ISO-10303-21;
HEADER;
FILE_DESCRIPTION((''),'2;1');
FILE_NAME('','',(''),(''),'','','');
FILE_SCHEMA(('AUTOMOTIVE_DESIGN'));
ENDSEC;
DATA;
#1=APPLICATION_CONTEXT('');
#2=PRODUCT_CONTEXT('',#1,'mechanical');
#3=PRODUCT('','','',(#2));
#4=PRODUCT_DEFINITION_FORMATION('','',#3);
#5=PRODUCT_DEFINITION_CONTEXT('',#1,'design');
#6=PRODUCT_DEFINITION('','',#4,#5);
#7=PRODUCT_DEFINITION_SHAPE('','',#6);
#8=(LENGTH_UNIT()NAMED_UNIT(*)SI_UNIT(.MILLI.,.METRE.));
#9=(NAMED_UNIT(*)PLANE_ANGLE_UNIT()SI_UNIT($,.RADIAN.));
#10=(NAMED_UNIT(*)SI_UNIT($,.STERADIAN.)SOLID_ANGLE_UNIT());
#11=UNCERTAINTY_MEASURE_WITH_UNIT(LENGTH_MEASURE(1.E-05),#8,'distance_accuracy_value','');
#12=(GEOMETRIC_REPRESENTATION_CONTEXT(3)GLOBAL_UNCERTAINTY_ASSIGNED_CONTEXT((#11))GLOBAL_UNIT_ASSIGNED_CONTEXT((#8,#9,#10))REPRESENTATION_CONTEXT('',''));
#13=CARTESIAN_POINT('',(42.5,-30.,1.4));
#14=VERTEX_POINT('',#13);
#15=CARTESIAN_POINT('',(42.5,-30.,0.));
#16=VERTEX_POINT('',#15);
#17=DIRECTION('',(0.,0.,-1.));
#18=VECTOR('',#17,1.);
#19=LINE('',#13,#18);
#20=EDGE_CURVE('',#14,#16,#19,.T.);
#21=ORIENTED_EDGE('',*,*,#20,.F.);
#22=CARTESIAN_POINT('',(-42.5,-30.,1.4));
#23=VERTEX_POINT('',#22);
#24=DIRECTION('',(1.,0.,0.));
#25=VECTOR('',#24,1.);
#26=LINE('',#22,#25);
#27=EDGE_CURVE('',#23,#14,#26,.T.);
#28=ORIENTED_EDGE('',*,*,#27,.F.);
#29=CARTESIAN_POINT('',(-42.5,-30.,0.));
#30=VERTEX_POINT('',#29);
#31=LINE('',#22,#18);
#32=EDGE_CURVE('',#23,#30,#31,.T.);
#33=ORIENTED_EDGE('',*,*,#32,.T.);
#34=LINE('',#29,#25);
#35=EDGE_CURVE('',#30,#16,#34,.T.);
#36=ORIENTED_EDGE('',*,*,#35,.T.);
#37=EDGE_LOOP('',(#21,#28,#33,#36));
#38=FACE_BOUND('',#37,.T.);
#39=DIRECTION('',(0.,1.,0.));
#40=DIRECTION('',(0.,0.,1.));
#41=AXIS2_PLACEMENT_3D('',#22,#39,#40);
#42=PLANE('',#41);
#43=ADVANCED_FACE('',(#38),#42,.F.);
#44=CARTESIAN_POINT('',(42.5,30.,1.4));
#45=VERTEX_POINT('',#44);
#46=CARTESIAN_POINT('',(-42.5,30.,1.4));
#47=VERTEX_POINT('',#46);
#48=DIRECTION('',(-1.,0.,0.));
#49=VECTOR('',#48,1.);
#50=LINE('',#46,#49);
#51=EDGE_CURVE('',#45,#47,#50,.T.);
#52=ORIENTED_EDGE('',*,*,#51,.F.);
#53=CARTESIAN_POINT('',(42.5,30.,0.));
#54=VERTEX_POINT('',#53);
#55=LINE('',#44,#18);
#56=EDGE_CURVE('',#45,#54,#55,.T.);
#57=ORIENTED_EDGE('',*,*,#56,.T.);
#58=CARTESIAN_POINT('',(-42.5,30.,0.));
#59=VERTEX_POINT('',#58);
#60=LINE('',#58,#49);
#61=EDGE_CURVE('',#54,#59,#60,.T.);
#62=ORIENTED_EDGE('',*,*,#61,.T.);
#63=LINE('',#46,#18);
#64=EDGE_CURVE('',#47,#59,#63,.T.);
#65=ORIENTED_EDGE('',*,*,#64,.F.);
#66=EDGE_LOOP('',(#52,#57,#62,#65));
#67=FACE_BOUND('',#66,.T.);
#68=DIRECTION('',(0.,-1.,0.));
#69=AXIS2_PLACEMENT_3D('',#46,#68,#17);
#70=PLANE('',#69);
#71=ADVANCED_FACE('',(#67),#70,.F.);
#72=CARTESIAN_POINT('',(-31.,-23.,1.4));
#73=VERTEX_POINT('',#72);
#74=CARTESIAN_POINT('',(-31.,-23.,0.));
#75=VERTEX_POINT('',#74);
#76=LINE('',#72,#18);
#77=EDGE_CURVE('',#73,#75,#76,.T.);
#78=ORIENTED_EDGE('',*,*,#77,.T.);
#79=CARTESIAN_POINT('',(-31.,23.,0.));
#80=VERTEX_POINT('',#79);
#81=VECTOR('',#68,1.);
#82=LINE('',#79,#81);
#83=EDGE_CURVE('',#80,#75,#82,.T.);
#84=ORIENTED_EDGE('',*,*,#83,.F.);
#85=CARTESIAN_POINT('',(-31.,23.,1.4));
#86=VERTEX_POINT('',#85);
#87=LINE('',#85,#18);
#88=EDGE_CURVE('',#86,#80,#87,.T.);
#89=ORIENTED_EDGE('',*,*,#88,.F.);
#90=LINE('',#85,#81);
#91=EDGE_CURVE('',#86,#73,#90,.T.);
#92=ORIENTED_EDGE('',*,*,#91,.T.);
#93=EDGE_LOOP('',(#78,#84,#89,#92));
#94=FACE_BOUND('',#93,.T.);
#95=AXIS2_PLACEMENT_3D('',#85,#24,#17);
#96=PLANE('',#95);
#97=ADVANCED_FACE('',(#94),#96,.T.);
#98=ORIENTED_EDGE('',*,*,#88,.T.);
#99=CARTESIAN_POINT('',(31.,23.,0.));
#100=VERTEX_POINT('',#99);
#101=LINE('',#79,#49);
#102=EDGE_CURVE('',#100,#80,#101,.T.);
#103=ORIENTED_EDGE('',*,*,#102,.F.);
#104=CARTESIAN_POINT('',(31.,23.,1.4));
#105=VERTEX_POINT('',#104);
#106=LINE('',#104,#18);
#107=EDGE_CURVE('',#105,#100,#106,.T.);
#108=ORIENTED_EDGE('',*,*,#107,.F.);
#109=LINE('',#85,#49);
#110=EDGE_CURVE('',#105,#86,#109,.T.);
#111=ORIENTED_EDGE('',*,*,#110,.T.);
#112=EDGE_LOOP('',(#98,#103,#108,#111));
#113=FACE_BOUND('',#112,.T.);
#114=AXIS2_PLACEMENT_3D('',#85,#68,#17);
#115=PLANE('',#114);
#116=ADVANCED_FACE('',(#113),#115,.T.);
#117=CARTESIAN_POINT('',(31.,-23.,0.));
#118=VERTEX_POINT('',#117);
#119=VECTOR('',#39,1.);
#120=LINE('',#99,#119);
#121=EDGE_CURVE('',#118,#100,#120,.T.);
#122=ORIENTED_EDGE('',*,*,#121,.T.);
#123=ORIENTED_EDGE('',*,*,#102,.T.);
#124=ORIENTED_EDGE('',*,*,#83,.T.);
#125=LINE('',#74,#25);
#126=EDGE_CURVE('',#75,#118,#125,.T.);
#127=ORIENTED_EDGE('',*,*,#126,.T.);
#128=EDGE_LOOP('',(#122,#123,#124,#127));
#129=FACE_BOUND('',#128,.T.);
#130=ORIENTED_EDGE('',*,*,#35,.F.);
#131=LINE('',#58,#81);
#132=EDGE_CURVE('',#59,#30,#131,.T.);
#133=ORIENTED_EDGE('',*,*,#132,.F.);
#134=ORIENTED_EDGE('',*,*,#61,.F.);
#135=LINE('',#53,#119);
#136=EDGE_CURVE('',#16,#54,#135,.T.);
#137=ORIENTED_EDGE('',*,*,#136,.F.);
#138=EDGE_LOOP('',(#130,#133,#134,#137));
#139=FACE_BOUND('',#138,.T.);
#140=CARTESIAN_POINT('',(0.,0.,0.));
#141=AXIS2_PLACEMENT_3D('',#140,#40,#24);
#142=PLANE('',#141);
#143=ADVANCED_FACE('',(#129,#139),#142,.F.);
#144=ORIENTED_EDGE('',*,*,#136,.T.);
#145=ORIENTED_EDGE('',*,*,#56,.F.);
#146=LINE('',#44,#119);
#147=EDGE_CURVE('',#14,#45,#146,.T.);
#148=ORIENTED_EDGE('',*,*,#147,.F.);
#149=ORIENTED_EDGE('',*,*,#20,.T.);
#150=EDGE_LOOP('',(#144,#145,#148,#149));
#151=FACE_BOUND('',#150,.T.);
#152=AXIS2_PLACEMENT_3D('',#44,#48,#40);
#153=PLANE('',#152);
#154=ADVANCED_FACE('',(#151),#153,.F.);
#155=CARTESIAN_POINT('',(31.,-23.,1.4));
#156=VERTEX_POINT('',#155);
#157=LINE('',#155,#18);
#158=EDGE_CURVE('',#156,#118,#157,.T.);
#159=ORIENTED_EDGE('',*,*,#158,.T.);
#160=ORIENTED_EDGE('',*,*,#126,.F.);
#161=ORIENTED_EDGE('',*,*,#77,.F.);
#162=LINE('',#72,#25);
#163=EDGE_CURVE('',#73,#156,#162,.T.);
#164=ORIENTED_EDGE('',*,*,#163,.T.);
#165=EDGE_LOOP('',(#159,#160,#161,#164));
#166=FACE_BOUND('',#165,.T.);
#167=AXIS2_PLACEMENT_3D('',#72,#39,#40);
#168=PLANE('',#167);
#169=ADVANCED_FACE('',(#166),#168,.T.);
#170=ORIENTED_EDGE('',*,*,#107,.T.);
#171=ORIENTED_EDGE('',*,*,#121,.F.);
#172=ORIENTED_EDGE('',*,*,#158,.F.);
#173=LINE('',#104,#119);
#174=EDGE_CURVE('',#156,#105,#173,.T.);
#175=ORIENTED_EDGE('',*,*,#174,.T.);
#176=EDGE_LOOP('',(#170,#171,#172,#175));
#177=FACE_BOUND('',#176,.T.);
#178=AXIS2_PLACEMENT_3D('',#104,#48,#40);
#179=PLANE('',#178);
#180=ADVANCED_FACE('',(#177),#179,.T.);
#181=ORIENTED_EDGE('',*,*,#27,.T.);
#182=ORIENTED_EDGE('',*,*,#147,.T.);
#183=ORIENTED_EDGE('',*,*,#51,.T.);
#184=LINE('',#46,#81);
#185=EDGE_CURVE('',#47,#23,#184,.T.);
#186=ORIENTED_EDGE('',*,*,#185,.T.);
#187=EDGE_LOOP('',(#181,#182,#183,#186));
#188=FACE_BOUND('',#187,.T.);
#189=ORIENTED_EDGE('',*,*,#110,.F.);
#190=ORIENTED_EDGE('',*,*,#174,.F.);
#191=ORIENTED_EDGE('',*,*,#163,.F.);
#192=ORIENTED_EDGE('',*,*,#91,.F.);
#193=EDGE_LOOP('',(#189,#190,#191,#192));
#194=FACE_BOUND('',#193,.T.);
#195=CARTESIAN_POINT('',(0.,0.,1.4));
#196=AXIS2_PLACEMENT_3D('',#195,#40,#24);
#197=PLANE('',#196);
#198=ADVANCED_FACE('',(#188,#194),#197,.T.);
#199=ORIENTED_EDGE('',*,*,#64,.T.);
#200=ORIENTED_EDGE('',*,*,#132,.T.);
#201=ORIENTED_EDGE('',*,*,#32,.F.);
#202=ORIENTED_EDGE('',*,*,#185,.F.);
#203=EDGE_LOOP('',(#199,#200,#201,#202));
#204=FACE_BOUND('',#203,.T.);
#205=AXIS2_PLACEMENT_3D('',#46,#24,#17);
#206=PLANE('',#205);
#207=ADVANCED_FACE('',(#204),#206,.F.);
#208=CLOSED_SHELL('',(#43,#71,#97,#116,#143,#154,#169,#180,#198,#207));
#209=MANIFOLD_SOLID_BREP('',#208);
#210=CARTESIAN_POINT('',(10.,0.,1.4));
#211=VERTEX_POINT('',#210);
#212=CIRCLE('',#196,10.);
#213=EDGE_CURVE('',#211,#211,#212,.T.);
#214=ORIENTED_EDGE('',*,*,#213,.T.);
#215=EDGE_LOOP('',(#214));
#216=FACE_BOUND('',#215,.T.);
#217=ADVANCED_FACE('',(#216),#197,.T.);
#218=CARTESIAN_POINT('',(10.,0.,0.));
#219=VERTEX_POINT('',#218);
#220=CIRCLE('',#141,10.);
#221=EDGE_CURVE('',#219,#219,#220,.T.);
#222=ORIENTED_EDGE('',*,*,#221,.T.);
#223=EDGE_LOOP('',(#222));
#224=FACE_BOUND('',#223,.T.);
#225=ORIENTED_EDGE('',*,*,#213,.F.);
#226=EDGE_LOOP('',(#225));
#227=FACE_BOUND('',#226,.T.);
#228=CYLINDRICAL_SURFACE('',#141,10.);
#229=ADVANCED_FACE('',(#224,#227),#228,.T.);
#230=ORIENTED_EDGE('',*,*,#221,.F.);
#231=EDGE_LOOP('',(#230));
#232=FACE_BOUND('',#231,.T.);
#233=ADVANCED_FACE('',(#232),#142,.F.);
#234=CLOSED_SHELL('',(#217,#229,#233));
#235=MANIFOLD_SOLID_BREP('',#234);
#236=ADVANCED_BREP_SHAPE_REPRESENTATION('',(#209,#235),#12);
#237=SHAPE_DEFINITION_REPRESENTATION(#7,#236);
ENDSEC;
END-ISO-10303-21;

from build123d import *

# Parameters (mm, degrees)
SKETCH_1_W      = 85
SKETCH_1_H      = 60
SKETCH_1_W_2    = 62
SKETCH_1_H_2    = 46
EXTRUDE_1_DEPTH = 1.4
SKETCH_2_R      = 10
EXTRUDE_2_DEPTH = 1.4


with BuildPart() as part:
    # 草图1 → 凸台-拉伸1 (new body)
    with BuildSketch(Plane.XY):
        Rectangle(SKETCH_1_W, SKETCH_1_H)
        Rectangle(SKETCH_1_W_2, SKETCH_1_H_2, mode=Mode.SUBTRACT)
    extrude(amount=EXTRUDE_1_DEPTH)


with BuildPart() as body_2:
    # 草图2 → 凸台-拉伸2 (new body)
    with BuildSketch(Plane.XY.offset(1.4)):
        Circle(SKETCH_2_R)
    extrude(amount=-EXTRUDE_2_DEPTH)


solid = Compound([part.part, body_2.part])
